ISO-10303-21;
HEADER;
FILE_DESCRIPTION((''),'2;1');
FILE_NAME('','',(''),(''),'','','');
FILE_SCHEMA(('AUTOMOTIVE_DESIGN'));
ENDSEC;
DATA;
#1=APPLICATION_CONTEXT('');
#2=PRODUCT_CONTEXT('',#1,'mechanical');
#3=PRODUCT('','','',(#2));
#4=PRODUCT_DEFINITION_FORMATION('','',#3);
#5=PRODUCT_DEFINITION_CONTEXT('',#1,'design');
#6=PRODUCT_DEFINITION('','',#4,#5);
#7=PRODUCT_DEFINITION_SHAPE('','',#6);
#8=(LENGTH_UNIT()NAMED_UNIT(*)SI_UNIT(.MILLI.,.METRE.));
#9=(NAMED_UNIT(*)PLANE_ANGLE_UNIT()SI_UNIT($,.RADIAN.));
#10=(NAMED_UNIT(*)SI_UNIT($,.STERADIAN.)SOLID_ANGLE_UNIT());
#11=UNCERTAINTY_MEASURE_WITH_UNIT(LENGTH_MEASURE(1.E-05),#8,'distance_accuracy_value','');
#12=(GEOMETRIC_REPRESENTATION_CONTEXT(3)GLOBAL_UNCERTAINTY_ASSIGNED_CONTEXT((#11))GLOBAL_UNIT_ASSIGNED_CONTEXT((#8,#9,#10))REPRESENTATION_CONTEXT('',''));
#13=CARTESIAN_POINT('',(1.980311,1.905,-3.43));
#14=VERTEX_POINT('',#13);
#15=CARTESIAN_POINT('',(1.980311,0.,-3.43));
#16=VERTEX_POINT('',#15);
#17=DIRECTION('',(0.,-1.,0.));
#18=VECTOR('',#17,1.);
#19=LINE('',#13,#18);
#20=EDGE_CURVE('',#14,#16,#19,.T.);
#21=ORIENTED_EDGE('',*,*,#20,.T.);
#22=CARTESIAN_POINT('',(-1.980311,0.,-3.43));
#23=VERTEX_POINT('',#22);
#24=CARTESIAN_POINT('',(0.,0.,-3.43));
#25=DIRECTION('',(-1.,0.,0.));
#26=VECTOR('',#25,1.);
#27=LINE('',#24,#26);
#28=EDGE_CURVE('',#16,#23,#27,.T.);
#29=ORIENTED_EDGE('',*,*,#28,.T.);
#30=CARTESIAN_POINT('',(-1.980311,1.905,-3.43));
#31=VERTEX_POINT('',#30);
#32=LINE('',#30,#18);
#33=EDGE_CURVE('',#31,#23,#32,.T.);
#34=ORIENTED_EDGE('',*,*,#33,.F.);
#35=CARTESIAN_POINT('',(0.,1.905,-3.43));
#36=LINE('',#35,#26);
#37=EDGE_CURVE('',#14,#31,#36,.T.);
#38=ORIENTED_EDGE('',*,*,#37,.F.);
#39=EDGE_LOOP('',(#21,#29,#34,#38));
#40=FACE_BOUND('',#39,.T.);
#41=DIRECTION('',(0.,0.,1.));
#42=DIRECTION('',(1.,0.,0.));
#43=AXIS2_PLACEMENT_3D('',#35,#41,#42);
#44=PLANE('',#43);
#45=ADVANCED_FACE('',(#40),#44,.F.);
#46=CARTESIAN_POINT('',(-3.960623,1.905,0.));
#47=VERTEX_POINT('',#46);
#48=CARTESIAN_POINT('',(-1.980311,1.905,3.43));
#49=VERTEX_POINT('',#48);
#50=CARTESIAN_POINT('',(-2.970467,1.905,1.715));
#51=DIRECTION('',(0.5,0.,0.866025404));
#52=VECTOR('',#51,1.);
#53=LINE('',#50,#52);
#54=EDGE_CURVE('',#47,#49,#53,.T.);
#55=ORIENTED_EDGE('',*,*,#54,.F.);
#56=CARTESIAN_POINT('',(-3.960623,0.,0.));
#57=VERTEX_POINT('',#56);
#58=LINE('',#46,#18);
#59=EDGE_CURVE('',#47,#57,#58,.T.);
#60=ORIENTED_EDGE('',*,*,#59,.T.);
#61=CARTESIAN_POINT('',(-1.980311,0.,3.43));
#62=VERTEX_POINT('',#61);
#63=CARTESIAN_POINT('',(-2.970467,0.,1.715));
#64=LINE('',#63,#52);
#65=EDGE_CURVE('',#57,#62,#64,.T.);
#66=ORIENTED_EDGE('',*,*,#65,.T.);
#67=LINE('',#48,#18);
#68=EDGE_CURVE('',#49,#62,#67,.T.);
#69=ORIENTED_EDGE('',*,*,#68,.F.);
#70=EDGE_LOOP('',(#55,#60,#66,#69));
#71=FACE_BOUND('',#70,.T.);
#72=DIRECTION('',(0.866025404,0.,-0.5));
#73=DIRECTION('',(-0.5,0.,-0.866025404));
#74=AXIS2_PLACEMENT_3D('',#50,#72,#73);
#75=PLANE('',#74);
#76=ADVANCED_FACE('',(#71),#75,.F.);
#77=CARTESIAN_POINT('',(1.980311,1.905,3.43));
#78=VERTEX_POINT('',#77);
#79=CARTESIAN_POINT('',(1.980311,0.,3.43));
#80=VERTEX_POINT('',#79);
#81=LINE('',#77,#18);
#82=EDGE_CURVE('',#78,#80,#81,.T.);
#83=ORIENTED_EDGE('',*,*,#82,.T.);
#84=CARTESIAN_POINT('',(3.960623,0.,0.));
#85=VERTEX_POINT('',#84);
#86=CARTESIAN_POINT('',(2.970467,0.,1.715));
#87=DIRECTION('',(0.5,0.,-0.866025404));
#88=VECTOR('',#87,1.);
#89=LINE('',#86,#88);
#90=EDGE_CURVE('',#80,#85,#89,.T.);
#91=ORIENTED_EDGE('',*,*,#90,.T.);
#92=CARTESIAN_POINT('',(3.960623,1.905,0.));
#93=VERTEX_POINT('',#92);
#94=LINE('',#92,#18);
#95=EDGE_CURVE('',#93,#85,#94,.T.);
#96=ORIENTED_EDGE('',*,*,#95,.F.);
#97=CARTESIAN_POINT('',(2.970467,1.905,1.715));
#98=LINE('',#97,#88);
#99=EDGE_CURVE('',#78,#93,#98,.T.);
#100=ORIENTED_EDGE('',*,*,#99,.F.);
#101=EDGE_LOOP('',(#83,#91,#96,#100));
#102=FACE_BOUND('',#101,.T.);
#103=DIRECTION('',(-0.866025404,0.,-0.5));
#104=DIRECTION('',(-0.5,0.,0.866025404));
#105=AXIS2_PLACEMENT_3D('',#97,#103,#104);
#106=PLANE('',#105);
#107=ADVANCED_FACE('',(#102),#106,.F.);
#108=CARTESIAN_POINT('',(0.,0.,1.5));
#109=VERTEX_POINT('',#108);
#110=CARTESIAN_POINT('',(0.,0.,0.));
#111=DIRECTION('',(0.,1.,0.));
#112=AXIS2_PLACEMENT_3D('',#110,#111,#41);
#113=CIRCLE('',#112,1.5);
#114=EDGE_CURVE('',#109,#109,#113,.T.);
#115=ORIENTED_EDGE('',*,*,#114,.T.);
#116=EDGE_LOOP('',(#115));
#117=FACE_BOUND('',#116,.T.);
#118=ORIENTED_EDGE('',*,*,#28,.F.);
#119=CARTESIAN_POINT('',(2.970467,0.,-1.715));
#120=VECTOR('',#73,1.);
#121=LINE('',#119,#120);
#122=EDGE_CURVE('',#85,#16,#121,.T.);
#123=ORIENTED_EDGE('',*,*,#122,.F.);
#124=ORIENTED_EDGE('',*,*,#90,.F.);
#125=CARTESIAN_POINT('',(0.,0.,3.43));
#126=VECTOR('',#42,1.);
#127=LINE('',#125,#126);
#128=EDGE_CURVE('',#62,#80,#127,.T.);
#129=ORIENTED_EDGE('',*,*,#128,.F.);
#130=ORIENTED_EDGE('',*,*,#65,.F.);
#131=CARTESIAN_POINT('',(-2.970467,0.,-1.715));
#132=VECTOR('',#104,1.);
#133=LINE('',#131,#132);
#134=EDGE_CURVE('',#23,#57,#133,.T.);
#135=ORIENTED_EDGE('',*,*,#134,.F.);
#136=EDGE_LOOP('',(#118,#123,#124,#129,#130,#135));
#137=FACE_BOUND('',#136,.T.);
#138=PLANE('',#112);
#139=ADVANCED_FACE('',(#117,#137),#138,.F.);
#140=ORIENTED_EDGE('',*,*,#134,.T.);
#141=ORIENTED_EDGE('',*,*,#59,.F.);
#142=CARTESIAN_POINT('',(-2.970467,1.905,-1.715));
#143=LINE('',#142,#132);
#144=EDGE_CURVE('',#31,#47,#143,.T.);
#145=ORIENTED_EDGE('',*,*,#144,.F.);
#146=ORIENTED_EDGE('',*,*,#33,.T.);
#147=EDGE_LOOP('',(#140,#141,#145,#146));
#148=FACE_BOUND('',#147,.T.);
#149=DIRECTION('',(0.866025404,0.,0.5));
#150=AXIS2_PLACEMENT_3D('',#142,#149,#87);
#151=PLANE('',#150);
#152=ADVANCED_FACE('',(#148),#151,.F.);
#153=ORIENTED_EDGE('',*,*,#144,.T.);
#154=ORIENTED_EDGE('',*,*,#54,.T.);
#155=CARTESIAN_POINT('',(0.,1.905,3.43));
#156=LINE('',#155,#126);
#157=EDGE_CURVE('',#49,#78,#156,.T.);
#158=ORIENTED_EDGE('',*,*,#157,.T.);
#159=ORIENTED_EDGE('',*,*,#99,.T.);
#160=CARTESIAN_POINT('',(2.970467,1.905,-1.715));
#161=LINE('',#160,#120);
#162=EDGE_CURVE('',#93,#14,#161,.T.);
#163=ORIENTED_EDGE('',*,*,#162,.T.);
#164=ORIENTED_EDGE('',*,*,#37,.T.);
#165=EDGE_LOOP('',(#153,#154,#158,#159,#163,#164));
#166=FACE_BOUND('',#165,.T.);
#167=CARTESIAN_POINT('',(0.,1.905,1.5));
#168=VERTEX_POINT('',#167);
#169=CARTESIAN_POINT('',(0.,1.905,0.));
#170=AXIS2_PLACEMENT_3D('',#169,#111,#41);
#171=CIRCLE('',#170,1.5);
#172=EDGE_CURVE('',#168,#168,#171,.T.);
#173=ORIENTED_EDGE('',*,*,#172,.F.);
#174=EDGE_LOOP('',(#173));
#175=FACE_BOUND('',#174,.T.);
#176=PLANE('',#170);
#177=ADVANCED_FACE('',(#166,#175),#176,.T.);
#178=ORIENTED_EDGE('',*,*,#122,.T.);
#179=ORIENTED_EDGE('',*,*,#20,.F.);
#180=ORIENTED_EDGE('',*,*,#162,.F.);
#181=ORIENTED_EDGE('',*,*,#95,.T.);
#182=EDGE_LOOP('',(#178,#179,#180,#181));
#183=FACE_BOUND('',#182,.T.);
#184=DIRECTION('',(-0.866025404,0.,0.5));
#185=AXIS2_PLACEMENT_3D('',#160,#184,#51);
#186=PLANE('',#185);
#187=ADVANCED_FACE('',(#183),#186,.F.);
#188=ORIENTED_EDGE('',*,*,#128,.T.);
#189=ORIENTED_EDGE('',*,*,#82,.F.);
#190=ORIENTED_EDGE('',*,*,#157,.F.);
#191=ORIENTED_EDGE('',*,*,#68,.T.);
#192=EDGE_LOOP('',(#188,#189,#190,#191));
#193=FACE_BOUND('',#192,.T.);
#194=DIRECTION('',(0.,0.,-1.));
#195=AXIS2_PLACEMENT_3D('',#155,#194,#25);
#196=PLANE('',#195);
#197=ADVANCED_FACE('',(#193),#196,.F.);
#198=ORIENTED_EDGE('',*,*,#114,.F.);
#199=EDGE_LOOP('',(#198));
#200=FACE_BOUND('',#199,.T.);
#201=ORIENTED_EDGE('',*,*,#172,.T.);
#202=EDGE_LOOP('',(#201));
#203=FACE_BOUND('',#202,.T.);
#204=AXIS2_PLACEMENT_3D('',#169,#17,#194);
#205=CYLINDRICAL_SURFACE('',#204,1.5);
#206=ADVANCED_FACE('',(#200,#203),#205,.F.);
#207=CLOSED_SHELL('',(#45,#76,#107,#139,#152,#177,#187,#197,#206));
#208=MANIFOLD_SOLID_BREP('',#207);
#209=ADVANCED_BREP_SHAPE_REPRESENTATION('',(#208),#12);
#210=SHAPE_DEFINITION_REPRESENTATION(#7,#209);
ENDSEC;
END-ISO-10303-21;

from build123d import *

# Parameters (mm, degrees)
SKETCH1_R           = 1.5
BOSS_EXTRUDE1_DEPTH = 1.905


with BuildPart() as part:
    # Sketch1 → Boss-Extrude1 (new body)
    with BuildSketch(Plane(origin=(0, 0, 0), x_dir=(1, 0, 0), z_dir=(0, 1, 0))):
        Polygon((-1.980311423, -3.43), (1.980311423, -3.43), (3.960622847, 0), (1.980311423, 3.43), (-1.980311423, 3.43), (-3.960622847, 0), align=None)
        Circle(SKETCH1_R, mode=Mode.SUBTRACT)
    extrude(amount=BOSS_EXTRUDE1_DEPTH)


solid = part.part
